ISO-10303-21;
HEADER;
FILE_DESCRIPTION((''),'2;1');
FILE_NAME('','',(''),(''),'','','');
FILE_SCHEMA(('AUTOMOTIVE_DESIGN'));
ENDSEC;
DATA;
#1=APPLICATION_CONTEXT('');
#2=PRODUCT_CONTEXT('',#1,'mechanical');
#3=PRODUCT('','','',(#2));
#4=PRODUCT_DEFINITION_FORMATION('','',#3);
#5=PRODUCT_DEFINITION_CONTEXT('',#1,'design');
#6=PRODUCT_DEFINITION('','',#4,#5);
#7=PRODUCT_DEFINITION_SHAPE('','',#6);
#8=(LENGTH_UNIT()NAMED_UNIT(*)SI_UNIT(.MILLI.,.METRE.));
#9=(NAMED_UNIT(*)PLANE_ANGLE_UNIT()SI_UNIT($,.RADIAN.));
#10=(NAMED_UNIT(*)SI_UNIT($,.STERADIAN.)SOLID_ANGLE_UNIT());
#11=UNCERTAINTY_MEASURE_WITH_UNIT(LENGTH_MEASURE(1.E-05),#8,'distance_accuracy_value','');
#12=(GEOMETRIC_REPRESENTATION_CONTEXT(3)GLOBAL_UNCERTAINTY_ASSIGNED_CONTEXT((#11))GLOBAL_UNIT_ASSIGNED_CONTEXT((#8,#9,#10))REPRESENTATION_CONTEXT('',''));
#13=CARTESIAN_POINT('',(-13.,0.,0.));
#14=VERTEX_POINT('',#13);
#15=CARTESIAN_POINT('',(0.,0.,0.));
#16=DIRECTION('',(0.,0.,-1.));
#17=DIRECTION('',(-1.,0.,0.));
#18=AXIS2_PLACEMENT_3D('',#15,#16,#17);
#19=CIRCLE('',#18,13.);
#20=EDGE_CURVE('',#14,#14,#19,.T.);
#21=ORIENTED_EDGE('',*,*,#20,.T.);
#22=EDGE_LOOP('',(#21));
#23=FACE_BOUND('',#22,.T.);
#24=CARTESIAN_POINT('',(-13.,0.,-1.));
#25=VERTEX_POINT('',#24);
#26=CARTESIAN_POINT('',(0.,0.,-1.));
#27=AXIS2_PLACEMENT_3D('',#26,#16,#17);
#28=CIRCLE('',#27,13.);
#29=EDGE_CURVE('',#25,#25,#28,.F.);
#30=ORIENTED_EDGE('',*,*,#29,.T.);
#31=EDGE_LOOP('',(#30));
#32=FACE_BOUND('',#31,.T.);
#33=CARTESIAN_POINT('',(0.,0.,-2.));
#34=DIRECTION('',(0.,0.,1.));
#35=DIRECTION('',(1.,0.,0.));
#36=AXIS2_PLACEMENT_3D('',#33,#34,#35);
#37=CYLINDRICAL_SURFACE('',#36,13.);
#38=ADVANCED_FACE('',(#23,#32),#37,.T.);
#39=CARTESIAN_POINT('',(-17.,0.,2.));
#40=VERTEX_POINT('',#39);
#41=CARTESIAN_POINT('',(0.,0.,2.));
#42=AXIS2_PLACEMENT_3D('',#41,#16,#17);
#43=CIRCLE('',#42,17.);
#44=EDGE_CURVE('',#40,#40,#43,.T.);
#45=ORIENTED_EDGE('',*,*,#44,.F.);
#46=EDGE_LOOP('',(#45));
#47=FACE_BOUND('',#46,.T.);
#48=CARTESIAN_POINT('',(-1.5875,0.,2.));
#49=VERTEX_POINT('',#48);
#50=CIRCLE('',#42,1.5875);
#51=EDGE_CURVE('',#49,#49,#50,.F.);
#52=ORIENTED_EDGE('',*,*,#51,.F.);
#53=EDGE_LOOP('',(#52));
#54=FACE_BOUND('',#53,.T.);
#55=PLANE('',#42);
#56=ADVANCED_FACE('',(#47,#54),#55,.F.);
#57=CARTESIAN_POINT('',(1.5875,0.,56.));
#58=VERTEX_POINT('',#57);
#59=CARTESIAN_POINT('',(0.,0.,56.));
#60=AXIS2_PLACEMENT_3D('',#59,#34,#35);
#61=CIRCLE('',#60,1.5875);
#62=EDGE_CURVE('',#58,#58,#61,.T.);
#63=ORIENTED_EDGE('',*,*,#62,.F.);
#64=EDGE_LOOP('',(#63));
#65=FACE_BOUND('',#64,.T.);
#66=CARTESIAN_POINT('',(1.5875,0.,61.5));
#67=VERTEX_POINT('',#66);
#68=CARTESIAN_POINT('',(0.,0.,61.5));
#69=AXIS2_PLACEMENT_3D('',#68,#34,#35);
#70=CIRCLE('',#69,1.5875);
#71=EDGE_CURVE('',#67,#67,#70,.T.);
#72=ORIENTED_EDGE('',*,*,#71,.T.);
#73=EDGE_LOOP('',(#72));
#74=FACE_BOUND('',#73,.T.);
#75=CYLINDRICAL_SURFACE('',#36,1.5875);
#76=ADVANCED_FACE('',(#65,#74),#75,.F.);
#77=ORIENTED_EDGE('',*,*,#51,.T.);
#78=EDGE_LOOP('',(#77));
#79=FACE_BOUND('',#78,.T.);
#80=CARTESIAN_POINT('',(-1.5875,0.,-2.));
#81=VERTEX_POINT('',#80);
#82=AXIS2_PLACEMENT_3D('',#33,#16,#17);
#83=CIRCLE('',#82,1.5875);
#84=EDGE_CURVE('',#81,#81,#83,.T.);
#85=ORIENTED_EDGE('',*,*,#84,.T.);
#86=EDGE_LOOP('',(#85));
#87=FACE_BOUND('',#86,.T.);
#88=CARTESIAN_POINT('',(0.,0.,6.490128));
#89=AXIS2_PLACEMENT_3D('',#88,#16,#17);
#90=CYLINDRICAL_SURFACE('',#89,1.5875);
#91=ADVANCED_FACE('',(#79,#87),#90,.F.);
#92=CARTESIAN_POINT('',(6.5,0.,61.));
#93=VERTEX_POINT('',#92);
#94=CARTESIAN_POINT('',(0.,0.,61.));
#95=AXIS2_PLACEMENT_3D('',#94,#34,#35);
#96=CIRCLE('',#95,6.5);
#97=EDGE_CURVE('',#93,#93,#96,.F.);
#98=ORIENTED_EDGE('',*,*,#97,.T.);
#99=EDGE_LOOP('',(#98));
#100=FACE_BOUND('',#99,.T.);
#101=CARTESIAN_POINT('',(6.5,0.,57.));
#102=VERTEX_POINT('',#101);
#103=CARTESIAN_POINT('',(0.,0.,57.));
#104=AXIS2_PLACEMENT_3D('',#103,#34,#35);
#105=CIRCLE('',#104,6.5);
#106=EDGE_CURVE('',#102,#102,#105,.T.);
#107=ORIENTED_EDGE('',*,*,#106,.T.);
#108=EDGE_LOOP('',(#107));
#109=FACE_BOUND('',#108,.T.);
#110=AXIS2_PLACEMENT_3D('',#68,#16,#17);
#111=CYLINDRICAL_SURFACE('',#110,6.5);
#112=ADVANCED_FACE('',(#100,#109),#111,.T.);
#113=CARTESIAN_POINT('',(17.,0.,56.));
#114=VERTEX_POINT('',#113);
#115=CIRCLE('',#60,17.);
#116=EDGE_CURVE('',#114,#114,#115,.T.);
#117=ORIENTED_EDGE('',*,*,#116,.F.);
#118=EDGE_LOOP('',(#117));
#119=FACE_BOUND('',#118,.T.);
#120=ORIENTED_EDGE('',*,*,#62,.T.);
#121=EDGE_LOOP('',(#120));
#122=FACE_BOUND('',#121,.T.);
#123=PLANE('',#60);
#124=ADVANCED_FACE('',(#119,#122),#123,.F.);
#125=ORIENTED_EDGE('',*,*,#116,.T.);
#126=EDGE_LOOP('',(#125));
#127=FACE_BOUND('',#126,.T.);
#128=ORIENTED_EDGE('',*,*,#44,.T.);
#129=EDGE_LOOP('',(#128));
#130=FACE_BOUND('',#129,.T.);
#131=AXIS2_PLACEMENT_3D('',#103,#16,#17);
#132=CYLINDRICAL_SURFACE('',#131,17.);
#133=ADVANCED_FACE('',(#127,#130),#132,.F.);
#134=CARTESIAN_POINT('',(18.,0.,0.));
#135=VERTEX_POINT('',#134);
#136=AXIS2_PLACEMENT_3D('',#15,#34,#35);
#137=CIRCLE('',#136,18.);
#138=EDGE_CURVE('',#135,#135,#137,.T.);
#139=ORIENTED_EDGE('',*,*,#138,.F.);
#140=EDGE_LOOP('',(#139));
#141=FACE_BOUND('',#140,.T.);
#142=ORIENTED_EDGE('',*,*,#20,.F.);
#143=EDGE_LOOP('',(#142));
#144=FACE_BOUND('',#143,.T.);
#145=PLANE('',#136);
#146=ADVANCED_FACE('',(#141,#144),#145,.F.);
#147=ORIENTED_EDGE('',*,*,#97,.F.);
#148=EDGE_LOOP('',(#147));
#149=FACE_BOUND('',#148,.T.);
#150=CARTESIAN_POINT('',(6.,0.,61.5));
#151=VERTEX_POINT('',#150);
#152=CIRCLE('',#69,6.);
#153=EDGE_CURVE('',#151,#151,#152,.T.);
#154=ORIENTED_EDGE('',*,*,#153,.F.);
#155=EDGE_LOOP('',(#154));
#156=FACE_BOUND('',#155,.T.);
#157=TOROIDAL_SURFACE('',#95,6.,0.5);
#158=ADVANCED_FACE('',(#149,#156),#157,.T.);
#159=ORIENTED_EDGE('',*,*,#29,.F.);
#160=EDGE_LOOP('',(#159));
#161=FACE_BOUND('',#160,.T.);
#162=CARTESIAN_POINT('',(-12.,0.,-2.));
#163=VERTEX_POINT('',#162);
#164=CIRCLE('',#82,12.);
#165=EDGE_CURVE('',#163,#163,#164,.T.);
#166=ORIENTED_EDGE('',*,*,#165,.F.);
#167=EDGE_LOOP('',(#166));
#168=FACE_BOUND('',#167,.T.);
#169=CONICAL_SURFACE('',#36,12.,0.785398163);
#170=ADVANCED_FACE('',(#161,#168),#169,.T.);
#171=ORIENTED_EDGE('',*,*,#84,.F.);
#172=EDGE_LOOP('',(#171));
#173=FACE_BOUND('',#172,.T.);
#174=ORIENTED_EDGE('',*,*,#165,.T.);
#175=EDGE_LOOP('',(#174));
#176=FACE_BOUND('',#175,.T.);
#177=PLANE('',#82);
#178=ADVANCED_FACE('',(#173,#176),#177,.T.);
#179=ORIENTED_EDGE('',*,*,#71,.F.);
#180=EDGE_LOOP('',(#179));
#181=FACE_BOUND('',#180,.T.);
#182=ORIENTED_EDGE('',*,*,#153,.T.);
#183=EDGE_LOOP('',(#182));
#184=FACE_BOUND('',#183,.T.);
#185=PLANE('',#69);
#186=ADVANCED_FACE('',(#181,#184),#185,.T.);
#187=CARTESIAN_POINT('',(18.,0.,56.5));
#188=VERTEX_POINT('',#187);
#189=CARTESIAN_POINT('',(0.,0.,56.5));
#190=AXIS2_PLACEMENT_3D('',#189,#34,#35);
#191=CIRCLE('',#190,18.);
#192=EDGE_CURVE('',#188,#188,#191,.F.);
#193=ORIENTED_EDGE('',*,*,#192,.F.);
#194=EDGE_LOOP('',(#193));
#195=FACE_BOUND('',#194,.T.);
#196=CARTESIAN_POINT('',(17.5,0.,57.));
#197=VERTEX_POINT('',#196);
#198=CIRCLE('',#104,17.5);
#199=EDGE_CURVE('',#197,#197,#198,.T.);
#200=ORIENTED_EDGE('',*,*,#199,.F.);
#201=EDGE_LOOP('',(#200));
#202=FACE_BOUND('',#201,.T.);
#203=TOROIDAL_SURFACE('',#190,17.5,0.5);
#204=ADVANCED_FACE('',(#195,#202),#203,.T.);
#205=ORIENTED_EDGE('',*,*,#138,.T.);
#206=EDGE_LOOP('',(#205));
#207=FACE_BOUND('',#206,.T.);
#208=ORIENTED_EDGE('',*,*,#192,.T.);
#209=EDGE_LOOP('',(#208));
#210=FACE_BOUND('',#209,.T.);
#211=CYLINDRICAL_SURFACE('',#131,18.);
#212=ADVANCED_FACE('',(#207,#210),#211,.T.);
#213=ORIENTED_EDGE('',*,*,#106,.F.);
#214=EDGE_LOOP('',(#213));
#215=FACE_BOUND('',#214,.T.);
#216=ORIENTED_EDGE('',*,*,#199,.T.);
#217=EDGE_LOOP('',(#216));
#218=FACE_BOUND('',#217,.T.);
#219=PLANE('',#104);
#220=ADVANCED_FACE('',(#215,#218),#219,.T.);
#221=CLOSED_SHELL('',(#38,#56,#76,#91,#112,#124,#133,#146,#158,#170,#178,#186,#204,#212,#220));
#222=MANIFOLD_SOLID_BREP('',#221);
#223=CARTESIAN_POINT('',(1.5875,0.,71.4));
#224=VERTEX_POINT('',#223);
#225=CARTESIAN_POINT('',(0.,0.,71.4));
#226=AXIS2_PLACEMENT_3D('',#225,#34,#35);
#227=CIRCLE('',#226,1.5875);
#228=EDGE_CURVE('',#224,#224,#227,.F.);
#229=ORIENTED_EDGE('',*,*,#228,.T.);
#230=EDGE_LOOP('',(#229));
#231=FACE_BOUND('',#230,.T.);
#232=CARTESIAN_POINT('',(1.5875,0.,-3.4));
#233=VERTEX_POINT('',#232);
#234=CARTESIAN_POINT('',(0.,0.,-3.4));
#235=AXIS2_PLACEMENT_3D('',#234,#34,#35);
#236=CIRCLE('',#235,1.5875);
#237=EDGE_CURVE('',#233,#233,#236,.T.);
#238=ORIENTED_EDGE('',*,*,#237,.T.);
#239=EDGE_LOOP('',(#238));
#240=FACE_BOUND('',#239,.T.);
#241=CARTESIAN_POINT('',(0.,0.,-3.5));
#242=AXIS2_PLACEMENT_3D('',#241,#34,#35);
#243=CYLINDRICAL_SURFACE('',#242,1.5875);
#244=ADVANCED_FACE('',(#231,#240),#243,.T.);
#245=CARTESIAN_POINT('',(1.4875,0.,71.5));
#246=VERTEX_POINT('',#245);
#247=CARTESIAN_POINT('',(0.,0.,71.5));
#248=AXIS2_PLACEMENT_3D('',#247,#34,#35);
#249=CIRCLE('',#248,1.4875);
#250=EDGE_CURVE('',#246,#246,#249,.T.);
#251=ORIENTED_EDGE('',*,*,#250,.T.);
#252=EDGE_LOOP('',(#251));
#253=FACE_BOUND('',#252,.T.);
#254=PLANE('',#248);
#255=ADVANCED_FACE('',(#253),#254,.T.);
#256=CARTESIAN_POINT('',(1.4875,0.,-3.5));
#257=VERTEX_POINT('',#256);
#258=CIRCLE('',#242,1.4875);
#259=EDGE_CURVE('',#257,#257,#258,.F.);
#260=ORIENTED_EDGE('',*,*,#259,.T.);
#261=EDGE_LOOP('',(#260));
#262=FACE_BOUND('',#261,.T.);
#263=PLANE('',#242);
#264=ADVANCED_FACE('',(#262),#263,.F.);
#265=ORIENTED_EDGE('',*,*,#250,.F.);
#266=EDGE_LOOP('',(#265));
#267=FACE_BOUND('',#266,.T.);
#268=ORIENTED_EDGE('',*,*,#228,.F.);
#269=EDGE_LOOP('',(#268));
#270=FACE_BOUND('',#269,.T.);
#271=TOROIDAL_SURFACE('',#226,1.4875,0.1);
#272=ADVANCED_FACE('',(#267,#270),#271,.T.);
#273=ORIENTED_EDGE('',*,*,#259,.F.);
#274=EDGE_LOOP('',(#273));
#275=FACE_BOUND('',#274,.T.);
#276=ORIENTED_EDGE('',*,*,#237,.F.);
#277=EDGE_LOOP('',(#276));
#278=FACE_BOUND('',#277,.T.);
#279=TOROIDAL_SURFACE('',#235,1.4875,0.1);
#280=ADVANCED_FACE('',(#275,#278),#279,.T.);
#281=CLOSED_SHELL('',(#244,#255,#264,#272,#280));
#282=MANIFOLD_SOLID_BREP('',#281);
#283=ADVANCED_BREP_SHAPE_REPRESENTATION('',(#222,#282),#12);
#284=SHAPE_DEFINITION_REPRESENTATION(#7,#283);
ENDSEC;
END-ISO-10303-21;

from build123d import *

# Parameters (mm, degrees)
SKETCH1_R                = 18
SKETCH1_R_2              = 17
BOSS_EXTRUDE1_DEPTH      = 57
SKETCH4_R                = 18
BOSS_EXTRUDE4_DEPTH      = 2
SKETCH5_R                = 13
BOSS_EXTRUDE5_DEPTH      = 2
SKETCH6_R                = 1.5875
CUT_EXTRUDE1_DEPTH       = 4
SKETCH7_R                = 18
BOSS_EXTRUDE6_DEPTH      = 1
SKETCH8_R                = 6.5
BOSS_EXTRUDE7_DEPTH      = 4.5
SKETCH9_R                = 1.5875
CUT_EXTRUDE4_DEPTH       = 64.5
SKETCH10_R               = 1.5875
BOSS_EXTRUDE8_DEPTH      = 10
BOSS_EXTRUDE8_DEPTH_BACK = 65
FILLET1_R                = 0.5
FILLET2_R                = 0.1
CHAMFER1_SIZE            = 1
FILLET3_R                = 0.1


with BuildPart() as part:
    # Sketch1 → Boss-Extrude1 (new body)
    with BuildSketch(Plane.XY):
        Circle(SKETCH1_R)
        Circle(SKETCH1_R_2, mode=Mode.SUBTRACT)
    extrude(amount=BOSS_EXTRUDE1_DEPTH)

    # Sketch4 → Boss-Extrude4 (add)
    with BuildSketch(Plane(origin=(0, 0, 0), x_dir=(-1, 0, 0), z_dir=(0, 0, -1))):
        Circle(SKETCH4_R)
    extrude(amount=-BOSS_EXTRUDE4_DEPTH)

    # Sketch5 → Boss-Extrude5 (add)
    with BuildSketch(Plane(origin=(0, 0, 0), x_dir=(-1, 0, 0), z_dir=(0, 0, -1))):
        Circle(SKETCH5_R)
    extrude(amount=BOSS_EXTRUDE5_DEPTH)

    # Sketch6 → Cut-Extrude1 (cut)
    with BuildSketch(Plane(origin=(0, 0, -2), x_dir=(-1, 0, 0), z_dir=(0, 0, -1))):
        Circle(SKETCH6_R)
    extrude(amount=-CUT_EXTRUDE1_DEPTH, mode=Mode.SUBTRACT)

    # Sketch7 → Boss-Extrude6 (add)
    with BuildSketch(Plane.XY.offset(57)):
        Circle(SKETCH7_R)
    extrude(amount=-BOSS_EXTRUDE6_DEPTH)

    # Sketch8 → Boss-Extrude7 (add)
    with BuildSketch(Plane.XY.offset(57)):
        Circle(SKETCH8_R)
    extrude(amount=BOSS_EXTRUDE7_DEPTH)

    # Sketch9 → Cut-Extrude4 (cut, through all)
    with BuildSketch(Plane.XY.offset(61.5)):
        Circle(SKETCH9_R)
    extrude(amount=-CUT_EXTRUDE4_DEPTH, mode=Mode.SUBTRACT)

    # Fillet1
    fillet1_edges = [part.edges().sort_by_distance(p)[0] for p in [
        (-6.5, 0, 61.5),
        (-18, 0, 57),
    ]]
    fillet(fillet1_edges, radius=FILLET1_R)

    # Chamfer1
    chamfer1_edges = [part.edges().sort_by_distance(p)[0] for p in [
        (13, 0, -2),
    ]]
    chamfer(chamfer1_edges, length=CHAMFER1_SIZE)


with BuildPart() as body_2:
    # Sketch10 → Boss-Extrude8 (new body, two sides)
    with BuildSketch(Plane.XY.offset(61.5)) as boss_extrude8_sk:
        Circle(SKETCH10_R)
    extrude(amount=BOSS_EXTRUDE8_DEPTH)
    extrude(boss_extrude8_sk.sketch, amount=-BOSS_EXTRUDE8_DEPTH_BACK)

    # Fillet2
    fillet2_edges = [body_2.edges().sort_by_distance(p)[0] for p in [
        (-1.5875, 0, 71.5),
    ]]
    fillet(fillet2_edges, radius=FILLET2_R)

    # Fillet3
    fillet3_edges = [body_2.edges().sort_by_distance(p)[0] for p in [
        (-1.5875, 0, -3.5),
    ]]
    fillet(fillet3_edges, radius=FILLET3_R)


solid = Compound([part.part, body_2.part])
